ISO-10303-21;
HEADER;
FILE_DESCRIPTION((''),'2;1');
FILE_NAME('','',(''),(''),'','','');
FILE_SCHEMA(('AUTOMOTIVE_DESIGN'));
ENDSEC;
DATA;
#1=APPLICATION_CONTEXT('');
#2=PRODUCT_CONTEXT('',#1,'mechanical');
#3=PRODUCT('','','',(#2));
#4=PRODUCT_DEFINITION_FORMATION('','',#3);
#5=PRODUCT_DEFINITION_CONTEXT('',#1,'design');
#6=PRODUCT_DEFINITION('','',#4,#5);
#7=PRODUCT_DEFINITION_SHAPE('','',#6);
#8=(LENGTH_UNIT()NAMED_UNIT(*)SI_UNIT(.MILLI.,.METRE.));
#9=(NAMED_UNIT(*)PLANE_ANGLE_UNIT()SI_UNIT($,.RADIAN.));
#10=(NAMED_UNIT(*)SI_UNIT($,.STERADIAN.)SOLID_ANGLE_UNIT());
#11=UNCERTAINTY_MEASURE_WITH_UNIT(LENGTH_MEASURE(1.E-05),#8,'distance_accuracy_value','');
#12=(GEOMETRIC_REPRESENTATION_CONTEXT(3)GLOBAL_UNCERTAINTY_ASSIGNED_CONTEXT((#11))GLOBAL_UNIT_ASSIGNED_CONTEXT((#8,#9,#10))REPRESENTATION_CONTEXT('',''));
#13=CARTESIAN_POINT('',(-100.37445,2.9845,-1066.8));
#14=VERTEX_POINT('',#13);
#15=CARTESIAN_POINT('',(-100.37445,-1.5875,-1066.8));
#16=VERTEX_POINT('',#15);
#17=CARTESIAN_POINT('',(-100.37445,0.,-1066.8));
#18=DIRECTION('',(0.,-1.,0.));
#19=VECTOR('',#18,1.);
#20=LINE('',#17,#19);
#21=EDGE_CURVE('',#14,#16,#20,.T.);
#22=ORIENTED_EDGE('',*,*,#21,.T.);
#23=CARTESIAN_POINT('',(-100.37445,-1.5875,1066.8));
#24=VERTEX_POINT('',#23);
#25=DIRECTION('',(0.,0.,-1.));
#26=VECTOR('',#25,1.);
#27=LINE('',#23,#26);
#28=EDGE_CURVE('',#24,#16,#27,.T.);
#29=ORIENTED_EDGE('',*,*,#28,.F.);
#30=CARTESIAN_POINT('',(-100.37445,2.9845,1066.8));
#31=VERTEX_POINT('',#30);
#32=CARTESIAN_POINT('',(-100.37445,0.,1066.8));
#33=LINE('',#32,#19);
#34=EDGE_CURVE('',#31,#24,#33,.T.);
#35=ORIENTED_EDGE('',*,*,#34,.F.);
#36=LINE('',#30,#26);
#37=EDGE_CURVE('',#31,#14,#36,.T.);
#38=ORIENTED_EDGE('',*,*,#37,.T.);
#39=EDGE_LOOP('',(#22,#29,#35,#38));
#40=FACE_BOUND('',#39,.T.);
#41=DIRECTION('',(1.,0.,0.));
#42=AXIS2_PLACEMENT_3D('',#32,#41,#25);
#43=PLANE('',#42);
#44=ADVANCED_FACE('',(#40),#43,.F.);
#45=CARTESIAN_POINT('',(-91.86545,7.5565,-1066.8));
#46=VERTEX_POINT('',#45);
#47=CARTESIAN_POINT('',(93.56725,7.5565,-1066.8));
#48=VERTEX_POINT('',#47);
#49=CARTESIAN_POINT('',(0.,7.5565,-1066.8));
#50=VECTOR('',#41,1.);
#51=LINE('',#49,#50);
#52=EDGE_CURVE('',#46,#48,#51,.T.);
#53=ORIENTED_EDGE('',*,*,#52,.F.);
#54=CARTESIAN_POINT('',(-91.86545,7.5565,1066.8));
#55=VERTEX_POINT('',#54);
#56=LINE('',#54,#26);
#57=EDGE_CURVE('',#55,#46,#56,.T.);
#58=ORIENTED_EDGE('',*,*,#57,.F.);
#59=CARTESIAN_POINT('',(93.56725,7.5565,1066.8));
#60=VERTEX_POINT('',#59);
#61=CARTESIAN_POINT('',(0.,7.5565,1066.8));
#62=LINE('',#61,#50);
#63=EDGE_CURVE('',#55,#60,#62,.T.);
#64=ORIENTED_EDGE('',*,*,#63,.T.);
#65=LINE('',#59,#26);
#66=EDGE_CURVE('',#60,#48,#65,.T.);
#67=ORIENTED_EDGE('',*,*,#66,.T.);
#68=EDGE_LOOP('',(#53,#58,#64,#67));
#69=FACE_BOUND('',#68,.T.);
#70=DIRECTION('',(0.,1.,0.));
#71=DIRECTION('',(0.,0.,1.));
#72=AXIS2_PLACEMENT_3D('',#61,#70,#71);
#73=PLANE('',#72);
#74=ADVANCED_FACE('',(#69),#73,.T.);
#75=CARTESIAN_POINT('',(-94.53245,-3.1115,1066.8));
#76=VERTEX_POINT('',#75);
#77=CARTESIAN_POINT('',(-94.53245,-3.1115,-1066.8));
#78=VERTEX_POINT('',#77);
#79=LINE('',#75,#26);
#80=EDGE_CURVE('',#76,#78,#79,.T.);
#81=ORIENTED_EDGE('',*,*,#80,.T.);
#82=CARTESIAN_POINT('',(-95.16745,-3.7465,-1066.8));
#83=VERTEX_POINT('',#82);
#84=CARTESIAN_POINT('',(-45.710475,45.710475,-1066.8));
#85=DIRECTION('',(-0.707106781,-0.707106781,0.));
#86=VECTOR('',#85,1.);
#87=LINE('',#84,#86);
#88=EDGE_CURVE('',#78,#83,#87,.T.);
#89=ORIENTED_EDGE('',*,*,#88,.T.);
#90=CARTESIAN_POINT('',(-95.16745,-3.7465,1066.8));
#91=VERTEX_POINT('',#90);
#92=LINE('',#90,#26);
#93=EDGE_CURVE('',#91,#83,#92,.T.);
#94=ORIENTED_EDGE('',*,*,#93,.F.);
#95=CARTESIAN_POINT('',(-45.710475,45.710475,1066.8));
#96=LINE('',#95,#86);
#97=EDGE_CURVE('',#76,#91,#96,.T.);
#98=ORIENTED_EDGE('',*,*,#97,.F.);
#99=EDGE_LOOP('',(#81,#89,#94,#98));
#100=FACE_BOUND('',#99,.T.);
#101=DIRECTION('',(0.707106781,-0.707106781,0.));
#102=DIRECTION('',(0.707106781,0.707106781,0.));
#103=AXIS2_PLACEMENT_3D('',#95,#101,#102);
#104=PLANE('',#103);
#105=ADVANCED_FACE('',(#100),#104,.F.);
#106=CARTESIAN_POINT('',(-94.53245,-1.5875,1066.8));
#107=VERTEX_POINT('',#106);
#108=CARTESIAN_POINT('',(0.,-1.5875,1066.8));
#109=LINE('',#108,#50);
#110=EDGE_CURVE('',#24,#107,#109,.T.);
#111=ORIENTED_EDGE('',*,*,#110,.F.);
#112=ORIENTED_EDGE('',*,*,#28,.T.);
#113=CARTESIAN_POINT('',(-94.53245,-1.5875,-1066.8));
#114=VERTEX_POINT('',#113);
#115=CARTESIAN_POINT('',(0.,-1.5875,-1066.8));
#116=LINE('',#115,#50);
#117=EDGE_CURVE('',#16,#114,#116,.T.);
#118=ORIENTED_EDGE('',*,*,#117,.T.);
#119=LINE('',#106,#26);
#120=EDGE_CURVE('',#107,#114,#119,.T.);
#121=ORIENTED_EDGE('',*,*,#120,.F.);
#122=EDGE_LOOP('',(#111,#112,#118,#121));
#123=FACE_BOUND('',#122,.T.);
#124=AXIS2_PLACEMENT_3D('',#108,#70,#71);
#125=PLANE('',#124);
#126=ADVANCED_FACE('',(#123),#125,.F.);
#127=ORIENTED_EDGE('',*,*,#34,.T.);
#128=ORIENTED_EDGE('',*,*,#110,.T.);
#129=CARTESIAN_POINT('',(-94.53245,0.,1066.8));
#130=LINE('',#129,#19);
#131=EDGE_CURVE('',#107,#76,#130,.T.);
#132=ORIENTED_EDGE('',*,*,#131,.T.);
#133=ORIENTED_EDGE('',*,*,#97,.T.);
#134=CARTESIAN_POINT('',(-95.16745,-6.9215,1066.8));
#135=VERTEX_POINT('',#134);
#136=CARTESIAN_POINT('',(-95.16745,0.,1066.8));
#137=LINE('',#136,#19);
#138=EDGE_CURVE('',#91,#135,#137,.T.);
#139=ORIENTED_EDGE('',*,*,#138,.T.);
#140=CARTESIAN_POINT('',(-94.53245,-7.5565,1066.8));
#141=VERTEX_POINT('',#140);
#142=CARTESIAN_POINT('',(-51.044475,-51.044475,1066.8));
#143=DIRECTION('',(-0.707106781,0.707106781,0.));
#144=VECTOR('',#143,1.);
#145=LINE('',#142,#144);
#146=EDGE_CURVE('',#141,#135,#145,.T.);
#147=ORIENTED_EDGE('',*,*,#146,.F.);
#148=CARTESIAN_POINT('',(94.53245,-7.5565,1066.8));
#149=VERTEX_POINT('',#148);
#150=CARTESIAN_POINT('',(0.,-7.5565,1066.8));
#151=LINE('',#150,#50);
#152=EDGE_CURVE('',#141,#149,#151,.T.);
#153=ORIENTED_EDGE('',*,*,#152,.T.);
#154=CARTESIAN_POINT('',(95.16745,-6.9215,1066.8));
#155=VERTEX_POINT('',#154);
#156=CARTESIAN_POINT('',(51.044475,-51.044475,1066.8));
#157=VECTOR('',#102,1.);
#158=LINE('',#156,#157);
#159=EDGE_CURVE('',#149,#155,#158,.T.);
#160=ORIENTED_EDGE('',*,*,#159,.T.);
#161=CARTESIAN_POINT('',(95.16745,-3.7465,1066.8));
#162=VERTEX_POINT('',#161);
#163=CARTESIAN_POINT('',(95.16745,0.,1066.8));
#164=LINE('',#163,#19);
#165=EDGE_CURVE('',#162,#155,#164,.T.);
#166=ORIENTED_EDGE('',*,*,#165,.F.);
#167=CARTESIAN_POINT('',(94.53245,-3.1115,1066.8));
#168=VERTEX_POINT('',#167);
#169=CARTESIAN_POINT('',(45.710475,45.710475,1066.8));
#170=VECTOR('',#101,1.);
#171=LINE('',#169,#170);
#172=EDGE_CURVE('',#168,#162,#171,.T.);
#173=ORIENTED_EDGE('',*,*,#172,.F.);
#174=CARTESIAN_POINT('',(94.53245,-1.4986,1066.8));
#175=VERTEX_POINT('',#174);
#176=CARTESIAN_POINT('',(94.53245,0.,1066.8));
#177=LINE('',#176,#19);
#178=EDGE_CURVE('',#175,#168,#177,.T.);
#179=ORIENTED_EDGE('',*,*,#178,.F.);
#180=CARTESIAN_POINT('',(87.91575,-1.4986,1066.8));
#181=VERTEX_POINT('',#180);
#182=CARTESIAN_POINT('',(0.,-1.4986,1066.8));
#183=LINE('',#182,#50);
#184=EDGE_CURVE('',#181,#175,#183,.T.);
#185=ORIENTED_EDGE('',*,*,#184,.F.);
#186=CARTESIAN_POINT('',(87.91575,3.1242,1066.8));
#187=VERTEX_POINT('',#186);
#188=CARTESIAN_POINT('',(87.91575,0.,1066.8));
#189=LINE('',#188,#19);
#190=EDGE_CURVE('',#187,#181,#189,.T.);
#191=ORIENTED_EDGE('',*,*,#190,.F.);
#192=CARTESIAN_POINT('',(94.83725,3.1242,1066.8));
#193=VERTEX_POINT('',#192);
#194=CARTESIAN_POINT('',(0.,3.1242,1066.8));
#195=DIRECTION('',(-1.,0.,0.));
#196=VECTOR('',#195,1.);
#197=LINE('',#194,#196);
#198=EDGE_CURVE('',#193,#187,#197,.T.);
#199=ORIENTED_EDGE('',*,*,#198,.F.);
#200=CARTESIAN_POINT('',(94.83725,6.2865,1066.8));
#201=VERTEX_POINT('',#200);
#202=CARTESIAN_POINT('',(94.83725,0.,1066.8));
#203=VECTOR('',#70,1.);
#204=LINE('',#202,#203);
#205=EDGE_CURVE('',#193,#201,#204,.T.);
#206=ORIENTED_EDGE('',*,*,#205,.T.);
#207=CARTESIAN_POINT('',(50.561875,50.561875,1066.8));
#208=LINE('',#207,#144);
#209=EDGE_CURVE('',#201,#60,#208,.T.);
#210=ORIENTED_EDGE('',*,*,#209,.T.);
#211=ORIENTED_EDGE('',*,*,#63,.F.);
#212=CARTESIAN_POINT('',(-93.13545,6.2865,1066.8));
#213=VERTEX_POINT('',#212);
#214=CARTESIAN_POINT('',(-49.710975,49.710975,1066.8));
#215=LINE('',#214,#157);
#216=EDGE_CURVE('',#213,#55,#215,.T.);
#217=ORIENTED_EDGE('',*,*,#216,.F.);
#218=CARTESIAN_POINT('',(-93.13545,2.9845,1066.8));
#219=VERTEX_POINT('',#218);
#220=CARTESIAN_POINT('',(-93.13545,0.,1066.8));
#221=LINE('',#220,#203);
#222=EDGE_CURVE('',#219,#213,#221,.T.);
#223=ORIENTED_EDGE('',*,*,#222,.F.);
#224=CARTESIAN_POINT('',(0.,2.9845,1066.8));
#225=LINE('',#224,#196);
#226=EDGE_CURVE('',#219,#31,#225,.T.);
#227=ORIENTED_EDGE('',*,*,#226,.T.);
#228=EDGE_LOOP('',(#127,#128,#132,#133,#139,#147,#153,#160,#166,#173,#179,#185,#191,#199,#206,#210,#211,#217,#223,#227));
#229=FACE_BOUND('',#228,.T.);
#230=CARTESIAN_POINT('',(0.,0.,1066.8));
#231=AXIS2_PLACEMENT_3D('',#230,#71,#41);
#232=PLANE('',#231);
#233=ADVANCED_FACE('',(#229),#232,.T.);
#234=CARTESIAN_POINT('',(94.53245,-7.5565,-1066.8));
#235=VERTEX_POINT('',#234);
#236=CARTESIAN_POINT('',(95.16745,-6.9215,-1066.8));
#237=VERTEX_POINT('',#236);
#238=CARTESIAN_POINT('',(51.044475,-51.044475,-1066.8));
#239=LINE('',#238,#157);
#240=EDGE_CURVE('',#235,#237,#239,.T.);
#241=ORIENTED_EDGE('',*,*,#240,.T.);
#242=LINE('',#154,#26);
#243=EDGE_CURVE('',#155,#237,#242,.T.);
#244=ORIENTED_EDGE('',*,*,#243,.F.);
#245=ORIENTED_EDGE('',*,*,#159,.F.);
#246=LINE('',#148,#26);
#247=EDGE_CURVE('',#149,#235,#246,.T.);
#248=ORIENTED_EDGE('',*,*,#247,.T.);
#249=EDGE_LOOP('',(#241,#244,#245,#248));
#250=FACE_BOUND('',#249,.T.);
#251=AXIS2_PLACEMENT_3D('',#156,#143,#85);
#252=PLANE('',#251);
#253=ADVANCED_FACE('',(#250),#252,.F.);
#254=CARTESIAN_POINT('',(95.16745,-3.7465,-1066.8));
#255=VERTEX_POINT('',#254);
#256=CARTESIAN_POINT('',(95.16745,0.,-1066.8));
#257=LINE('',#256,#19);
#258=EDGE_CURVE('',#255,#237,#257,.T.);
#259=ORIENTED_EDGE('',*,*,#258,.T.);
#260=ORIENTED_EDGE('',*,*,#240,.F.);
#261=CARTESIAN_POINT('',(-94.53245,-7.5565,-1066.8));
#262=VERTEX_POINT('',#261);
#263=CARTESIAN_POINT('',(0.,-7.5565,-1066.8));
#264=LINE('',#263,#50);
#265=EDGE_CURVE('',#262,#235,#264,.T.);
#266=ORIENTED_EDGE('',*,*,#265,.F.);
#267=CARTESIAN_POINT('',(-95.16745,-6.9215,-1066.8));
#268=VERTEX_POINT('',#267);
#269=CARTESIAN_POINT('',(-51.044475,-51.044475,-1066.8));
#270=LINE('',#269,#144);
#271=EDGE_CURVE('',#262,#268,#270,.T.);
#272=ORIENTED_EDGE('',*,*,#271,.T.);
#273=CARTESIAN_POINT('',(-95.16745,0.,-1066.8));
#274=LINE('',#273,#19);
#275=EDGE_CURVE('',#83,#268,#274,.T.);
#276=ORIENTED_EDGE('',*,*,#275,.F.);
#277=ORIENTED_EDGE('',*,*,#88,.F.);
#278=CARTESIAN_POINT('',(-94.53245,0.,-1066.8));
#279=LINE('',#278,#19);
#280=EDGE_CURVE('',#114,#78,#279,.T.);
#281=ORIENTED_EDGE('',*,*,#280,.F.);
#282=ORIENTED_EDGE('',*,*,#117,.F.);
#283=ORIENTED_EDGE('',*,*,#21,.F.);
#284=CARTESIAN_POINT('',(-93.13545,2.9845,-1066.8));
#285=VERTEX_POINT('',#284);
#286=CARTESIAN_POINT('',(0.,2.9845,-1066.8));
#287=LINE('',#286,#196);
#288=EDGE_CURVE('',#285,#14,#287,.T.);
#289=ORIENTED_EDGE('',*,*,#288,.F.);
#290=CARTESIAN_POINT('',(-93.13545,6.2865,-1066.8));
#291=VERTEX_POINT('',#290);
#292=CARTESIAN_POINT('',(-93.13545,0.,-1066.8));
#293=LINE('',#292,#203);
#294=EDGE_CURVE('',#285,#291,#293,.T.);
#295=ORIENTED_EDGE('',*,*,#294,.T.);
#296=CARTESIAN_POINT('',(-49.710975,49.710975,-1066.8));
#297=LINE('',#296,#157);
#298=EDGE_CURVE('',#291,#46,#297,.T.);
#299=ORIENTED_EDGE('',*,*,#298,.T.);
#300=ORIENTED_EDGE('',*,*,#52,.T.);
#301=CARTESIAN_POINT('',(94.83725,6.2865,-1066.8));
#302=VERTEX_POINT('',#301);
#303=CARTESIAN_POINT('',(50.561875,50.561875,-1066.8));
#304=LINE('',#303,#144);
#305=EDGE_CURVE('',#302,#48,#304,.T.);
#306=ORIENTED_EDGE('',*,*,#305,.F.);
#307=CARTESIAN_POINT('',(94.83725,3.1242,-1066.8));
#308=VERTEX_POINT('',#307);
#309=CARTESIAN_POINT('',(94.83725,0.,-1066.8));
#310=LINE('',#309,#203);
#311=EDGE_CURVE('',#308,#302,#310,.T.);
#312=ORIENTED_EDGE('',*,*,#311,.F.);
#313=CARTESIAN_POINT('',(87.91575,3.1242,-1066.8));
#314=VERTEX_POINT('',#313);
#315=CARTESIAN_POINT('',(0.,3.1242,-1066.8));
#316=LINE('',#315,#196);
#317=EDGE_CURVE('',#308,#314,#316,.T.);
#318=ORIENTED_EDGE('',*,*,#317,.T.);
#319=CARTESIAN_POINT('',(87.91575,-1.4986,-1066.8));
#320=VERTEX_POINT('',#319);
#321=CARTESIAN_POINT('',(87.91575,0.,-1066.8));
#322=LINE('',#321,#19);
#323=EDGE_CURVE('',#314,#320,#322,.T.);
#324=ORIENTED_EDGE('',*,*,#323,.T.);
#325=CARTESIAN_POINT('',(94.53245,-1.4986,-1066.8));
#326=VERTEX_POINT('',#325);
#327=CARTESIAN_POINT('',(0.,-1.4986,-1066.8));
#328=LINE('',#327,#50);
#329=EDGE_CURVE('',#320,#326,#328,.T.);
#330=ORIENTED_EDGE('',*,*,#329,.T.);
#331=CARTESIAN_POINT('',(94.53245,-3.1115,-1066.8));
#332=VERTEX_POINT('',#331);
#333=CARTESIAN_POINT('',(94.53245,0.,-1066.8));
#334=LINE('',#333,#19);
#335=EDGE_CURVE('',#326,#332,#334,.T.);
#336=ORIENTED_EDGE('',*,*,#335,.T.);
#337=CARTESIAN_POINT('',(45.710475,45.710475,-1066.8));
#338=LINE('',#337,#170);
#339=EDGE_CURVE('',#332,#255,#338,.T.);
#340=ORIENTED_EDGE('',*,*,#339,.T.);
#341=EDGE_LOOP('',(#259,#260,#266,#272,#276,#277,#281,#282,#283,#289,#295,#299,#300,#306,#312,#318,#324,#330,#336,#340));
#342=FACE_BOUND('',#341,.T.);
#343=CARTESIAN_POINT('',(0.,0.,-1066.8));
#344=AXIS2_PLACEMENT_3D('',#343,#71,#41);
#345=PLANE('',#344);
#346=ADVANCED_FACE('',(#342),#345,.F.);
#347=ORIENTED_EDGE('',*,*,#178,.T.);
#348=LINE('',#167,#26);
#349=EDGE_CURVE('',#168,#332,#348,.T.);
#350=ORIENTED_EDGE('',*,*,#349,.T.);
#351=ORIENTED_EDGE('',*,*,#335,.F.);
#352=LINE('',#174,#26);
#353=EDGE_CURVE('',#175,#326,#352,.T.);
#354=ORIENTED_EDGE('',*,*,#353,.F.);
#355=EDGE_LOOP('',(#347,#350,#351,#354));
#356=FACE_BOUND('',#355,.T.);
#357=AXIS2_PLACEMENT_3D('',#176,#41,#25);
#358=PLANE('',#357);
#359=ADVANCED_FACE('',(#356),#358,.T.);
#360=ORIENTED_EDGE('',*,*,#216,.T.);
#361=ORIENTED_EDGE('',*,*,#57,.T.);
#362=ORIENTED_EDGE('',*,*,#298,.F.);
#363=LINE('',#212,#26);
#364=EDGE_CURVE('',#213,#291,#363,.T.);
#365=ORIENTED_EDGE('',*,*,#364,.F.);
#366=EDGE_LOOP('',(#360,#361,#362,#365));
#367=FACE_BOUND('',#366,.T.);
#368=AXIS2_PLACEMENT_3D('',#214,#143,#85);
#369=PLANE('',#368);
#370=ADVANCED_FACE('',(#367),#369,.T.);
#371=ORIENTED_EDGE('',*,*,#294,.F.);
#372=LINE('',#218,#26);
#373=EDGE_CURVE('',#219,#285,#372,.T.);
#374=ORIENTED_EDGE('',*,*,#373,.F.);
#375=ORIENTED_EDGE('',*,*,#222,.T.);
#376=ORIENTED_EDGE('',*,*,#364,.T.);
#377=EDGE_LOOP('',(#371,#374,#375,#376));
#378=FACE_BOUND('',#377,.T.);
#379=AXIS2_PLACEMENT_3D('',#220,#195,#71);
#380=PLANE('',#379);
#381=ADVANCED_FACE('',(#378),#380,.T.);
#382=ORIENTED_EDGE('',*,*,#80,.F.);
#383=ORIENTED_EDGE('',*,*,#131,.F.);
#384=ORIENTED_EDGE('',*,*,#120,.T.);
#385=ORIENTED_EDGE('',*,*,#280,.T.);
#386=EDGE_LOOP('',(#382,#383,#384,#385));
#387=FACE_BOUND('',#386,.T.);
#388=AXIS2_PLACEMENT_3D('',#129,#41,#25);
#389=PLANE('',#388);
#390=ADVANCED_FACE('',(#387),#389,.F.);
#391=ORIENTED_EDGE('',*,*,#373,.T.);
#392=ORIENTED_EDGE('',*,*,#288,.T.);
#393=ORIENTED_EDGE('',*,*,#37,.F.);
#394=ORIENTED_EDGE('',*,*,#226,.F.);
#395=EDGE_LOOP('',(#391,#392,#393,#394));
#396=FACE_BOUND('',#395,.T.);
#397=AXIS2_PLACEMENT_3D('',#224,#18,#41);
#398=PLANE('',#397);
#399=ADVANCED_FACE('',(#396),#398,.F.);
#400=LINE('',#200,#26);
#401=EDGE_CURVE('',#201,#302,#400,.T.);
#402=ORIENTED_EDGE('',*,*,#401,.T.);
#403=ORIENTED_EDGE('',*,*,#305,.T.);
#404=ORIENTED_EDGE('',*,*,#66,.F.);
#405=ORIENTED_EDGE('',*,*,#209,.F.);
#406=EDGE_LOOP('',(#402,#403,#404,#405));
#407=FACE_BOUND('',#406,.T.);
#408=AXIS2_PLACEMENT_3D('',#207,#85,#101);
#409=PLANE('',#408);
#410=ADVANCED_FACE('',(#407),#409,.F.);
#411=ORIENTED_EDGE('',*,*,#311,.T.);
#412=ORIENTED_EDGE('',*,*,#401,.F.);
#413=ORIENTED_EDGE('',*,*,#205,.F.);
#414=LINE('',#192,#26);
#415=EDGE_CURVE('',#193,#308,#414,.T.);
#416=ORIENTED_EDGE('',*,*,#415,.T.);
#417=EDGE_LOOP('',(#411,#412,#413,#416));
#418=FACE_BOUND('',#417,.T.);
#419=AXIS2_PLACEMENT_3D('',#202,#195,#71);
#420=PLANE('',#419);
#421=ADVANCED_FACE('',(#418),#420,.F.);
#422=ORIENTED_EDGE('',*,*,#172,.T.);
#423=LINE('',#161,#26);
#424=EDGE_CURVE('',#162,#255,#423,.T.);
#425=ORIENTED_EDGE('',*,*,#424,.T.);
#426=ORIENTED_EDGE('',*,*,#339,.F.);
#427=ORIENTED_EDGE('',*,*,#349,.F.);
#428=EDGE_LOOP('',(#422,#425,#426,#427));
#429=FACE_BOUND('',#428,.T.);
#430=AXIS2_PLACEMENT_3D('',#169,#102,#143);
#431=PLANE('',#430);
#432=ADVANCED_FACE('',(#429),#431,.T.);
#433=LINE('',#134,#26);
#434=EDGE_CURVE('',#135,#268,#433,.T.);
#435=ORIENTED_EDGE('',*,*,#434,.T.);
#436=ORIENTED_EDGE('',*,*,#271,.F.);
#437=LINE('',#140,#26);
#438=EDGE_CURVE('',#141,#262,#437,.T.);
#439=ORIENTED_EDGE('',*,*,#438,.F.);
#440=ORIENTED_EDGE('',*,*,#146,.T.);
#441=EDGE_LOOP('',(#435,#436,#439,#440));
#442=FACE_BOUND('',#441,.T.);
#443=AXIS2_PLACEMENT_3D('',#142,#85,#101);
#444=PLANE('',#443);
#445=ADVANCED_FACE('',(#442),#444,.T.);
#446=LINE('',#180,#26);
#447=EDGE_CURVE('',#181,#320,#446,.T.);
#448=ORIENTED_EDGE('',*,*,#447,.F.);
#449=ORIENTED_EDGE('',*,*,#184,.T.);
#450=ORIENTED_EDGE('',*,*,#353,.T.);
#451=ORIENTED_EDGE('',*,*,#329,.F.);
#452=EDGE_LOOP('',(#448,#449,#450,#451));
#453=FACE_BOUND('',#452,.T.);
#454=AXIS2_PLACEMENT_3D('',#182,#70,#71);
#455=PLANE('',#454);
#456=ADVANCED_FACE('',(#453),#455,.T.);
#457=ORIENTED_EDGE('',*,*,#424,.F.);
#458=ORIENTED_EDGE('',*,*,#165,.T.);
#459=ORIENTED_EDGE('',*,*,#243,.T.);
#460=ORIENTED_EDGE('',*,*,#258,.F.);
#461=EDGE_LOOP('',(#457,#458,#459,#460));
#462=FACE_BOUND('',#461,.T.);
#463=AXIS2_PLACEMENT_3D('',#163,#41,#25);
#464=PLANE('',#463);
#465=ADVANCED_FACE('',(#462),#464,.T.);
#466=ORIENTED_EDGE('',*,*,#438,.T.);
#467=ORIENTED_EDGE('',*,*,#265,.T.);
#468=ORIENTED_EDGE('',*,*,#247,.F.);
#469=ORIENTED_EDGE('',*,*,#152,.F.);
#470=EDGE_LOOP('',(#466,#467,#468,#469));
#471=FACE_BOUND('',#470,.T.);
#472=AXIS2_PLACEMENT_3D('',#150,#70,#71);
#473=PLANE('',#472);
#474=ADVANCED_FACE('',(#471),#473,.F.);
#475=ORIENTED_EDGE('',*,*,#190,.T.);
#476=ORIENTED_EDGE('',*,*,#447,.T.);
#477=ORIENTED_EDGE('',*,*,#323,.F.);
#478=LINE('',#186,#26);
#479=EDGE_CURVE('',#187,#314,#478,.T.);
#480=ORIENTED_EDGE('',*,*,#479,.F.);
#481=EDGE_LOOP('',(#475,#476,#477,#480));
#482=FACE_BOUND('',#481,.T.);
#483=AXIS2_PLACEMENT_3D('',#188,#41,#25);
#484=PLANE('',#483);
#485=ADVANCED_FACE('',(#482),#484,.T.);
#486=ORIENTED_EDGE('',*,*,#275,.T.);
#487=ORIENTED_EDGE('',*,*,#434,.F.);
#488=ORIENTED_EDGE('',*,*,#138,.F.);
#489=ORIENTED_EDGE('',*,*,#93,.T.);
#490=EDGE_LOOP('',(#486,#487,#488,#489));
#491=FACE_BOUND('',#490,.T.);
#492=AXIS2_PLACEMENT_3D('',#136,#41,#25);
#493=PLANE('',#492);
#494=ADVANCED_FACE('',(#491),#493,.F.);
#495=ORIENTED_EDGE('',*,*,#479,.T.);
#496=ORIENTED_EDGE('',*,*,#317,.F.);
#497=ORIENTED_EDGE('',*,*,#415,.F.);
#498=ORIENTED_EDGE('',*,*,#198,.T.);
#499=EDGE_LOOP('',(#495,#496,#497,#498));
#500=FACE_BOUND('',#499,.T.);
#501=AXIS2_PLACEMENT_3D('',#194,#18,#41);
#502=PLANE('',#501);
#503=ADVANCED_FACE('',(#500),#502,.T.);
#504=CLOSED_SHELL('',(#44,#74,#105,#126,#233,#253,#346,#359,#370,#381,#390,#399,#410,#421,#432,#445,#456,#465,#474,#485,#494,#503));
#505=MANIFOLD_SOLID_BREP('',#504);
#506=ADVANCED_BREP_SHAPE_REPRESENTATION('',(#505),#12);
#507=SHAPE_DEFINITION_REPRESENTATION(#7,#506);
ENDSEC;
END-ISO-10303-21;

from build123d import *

# Parameters (mm, degrees)
BOSS_EXTRUDE1_DEPTH = 1066.8


with BuildPart() as part:
    # Sketch1 → Boss-Extrude1 (new body, symmetric)
    with BuildSketch(Plane.XY):
        Polygon((-93.13545, 6.2865), (-93.13545, 2.9845), (-100.37445, 2.9845), (-100.37445, -1.5875), (-94.53245, -1.5875), (-94.53245, -3.1115), (-95.16745, -3.7465), (-95.16745, -6.9215), (-94.53245, -7.5565), (94.53245, -7.5565), (95.16745, -6.9215), (95.16745, -3.7465), (94.53245, -3.1115), (94.53245, -1.4986), (87.91575, -1.4986), (87.91575, 3.1242), (94.83725, 3.1242), (94.83725, 6.2865), (93.56725, 7.5565), (-91.86545, 7.5565), align=None)
    extrude(amount=BOSS_EXTRUDE1_DEPTH, both=True)


solid = part.part
